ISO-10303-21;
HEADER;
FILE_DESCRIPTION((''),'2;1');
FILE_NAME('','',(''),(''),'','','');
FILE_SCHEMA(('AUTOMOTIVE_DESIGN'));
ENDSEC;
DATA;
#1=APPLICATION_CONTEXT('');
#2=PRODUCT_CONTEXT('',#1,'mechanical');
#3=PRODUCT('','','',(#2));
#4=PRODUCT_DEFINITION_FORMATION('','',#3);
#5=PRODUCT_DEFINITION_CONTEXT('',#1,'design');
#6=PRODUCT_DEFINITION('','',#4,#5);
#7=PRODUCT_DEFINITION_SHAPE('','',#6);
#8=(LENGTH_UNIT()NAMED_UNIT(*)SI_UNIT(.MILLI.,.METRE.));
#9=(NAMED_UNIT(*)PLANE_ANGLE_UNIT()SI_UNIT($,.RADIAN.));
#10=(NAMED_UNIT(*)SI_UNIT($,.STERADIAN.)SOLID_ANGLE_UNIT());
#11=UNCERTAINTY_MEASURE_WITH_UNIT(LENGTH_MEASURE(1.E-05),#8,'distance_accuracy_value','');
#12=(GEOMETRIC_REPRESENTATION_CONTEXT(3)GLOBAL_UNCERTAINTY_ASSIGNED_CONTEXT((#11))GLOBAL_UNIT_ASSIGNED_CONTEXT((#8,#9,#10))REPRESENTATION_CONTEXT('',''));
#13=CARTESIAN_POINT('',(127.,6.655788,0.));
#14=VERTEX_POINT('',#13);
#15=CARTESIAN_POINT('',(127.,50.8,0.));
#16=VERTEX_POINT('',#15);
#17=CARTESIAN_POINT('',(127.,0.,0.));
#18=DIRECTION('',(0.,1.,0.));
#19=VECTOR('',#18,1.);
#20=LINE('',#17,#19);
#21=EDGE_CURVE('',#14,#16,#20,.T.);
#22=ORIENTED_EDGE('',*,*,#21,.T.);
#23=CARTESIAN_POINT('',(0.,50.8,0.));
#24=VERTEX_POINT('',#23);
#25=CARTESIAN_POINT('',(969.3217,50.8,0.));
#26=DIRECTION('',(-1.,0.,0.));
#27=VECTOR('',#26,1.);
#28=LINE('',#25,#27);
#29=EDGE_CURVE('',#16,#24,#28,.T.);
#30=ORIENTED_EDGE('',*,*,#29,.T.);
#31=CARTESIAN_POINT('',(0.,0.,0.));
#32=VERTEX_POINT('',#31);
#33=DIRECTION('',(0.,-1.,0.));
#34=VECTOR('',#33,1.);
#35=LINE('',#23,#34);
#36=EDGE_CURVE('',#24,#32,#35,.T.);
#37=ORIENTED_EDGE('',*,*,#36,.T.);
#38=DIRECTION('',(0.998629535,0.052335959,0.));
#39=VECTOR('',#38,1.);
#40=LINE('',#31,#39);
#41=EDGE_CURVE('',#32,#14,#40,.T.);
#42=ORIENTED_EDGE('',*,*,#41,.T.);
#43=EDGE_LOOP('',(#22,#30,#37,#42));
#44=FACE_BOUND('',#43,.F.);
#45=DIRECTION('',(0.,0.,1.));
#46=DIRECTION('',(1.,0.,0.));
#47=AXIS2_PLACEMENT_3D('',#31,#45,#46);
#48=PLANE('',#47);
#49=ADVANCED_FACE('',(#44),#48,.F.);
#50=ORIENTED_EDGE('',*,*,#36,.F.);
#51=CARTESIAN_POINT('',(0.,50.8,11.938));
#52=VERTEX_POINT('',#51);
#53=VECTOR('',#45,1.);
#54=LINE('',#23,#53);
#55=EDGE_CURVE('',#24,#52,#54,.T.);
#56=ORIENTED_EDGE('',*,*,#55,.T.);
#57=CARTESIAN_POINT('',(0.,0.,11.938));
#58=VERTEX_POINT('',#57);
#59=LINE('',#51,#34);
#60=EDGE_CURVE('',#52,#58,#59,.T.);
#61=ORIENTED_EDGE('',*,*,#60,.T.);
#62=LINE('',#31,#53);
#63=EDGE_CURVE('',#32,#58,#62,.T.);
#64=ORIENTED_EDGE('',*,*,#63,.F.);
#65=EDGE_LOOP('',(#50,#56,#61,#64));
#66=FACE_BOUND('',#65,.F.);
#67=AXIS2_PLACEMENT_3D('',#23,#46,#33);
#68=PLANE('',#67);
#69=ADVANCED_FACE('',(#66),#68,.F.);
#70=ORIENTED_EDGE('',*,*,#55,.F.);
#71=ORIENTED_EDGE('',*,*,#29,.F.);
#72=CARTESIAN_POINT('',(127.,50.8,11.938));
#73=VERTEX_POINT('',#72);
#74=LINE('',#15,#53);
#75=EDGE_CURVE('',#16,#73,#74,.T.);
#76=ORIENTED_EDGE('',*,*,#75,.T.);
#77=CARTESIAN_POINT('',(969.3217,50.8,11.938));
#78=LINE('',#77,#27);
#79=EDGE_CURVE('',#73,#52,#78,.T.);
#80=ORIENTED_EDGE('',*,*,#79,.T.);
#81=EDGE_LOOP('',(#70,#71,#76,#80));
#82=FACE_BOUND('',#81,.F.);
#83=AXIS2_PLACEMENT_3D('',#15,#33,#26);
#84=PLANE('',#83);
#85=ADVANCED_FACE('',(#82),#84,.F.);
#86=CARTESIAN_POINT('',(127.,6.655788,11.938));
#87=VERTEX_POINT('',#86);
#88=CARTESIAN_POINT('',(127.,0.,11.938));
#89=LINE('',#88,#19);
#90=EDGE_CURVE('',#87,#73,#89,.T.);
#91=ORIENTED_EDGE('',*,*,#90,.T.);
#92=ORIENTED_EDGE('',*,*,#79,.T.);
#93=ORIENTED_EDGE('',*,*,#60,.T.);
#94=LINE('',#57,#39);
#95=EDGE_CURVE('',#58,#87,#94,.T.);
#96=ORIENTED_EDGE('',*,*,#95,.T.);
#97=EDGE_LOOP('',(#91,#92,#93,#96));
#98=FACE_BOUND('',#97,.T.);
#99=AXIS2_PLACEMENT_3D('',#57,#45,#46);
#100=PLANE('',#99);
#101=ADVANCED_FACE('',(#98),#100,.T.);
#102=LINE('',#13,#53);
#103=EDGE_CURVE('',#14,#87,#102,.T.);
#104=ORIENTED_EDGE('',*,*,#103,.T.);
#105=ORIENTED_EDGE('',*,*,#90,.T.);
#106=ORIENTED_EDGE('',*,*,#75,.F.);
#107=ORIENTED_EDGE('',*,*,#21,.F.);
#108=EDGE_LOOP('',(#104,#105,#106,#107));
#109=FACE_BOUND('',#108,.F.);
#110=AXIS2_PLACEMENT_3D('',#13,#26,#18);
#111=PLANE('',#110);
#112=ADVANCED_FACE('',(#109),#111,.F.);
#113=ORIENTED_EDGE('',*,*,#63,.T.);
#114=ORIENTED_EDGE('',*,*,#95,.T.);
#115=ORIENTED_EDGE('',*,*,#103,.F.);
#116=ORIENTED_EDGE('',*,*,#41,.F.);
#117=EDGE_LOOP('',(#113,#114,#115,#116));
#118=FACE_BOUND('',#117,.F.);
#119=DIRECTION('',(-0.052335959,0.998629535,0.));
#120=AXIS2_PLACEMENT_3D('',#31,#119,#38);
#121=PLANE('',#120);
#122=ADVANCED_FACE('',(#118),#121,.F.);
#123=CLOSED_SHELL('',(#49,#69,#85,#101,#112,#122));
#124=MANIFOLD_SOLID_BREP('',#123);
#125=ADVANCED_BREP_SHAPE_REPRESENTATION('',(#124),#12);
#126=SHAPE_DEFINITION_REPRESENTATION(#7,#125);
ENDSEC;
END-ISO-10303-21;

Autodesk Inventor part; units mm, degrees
ref_plane "YZ Plane" through (0, 0, 0) normal (1, 0, 0) x (0, 1, 0)
ref_plane "XZ Plane" through (0, 0, 0) normal (0, 1, 0) x (-1, 0, 0)
ref_plane "XY Plane" through (0, 0, 0) normal (0, 0, 1) x (1, 0, 0)
sketch "Sketch1" plane through (0, 0, 0) normal (0, 0, 1) x (1, 0, 0)
  line L0 (0, 0) -> (969.3217, 0)
  line L1 (969.3217, 0) -> (969.3217, 50.8)
  line L2 (969.3217, 50.8) -> (0, 50.8)
  line L3 (0, 50.8) -> (0, 0)
  line L4 (0, 0) -> (969.3217, 50.8)
  line L5 (127, 0) -> (127, 50.8)
  point P0 (0, 25.4)
  point P1 (127, 6.6558)
  dimension "d0" = 3
  dimension "d4" = 50.8
  dimension "d5" = 127
extrude "Extrusion2" add sketch "Sketch1" along normal blind 11.938 contours L3 L2 L5 L4
properties part number "Antitorque Outlet Support" material "Wood (Oak)"
